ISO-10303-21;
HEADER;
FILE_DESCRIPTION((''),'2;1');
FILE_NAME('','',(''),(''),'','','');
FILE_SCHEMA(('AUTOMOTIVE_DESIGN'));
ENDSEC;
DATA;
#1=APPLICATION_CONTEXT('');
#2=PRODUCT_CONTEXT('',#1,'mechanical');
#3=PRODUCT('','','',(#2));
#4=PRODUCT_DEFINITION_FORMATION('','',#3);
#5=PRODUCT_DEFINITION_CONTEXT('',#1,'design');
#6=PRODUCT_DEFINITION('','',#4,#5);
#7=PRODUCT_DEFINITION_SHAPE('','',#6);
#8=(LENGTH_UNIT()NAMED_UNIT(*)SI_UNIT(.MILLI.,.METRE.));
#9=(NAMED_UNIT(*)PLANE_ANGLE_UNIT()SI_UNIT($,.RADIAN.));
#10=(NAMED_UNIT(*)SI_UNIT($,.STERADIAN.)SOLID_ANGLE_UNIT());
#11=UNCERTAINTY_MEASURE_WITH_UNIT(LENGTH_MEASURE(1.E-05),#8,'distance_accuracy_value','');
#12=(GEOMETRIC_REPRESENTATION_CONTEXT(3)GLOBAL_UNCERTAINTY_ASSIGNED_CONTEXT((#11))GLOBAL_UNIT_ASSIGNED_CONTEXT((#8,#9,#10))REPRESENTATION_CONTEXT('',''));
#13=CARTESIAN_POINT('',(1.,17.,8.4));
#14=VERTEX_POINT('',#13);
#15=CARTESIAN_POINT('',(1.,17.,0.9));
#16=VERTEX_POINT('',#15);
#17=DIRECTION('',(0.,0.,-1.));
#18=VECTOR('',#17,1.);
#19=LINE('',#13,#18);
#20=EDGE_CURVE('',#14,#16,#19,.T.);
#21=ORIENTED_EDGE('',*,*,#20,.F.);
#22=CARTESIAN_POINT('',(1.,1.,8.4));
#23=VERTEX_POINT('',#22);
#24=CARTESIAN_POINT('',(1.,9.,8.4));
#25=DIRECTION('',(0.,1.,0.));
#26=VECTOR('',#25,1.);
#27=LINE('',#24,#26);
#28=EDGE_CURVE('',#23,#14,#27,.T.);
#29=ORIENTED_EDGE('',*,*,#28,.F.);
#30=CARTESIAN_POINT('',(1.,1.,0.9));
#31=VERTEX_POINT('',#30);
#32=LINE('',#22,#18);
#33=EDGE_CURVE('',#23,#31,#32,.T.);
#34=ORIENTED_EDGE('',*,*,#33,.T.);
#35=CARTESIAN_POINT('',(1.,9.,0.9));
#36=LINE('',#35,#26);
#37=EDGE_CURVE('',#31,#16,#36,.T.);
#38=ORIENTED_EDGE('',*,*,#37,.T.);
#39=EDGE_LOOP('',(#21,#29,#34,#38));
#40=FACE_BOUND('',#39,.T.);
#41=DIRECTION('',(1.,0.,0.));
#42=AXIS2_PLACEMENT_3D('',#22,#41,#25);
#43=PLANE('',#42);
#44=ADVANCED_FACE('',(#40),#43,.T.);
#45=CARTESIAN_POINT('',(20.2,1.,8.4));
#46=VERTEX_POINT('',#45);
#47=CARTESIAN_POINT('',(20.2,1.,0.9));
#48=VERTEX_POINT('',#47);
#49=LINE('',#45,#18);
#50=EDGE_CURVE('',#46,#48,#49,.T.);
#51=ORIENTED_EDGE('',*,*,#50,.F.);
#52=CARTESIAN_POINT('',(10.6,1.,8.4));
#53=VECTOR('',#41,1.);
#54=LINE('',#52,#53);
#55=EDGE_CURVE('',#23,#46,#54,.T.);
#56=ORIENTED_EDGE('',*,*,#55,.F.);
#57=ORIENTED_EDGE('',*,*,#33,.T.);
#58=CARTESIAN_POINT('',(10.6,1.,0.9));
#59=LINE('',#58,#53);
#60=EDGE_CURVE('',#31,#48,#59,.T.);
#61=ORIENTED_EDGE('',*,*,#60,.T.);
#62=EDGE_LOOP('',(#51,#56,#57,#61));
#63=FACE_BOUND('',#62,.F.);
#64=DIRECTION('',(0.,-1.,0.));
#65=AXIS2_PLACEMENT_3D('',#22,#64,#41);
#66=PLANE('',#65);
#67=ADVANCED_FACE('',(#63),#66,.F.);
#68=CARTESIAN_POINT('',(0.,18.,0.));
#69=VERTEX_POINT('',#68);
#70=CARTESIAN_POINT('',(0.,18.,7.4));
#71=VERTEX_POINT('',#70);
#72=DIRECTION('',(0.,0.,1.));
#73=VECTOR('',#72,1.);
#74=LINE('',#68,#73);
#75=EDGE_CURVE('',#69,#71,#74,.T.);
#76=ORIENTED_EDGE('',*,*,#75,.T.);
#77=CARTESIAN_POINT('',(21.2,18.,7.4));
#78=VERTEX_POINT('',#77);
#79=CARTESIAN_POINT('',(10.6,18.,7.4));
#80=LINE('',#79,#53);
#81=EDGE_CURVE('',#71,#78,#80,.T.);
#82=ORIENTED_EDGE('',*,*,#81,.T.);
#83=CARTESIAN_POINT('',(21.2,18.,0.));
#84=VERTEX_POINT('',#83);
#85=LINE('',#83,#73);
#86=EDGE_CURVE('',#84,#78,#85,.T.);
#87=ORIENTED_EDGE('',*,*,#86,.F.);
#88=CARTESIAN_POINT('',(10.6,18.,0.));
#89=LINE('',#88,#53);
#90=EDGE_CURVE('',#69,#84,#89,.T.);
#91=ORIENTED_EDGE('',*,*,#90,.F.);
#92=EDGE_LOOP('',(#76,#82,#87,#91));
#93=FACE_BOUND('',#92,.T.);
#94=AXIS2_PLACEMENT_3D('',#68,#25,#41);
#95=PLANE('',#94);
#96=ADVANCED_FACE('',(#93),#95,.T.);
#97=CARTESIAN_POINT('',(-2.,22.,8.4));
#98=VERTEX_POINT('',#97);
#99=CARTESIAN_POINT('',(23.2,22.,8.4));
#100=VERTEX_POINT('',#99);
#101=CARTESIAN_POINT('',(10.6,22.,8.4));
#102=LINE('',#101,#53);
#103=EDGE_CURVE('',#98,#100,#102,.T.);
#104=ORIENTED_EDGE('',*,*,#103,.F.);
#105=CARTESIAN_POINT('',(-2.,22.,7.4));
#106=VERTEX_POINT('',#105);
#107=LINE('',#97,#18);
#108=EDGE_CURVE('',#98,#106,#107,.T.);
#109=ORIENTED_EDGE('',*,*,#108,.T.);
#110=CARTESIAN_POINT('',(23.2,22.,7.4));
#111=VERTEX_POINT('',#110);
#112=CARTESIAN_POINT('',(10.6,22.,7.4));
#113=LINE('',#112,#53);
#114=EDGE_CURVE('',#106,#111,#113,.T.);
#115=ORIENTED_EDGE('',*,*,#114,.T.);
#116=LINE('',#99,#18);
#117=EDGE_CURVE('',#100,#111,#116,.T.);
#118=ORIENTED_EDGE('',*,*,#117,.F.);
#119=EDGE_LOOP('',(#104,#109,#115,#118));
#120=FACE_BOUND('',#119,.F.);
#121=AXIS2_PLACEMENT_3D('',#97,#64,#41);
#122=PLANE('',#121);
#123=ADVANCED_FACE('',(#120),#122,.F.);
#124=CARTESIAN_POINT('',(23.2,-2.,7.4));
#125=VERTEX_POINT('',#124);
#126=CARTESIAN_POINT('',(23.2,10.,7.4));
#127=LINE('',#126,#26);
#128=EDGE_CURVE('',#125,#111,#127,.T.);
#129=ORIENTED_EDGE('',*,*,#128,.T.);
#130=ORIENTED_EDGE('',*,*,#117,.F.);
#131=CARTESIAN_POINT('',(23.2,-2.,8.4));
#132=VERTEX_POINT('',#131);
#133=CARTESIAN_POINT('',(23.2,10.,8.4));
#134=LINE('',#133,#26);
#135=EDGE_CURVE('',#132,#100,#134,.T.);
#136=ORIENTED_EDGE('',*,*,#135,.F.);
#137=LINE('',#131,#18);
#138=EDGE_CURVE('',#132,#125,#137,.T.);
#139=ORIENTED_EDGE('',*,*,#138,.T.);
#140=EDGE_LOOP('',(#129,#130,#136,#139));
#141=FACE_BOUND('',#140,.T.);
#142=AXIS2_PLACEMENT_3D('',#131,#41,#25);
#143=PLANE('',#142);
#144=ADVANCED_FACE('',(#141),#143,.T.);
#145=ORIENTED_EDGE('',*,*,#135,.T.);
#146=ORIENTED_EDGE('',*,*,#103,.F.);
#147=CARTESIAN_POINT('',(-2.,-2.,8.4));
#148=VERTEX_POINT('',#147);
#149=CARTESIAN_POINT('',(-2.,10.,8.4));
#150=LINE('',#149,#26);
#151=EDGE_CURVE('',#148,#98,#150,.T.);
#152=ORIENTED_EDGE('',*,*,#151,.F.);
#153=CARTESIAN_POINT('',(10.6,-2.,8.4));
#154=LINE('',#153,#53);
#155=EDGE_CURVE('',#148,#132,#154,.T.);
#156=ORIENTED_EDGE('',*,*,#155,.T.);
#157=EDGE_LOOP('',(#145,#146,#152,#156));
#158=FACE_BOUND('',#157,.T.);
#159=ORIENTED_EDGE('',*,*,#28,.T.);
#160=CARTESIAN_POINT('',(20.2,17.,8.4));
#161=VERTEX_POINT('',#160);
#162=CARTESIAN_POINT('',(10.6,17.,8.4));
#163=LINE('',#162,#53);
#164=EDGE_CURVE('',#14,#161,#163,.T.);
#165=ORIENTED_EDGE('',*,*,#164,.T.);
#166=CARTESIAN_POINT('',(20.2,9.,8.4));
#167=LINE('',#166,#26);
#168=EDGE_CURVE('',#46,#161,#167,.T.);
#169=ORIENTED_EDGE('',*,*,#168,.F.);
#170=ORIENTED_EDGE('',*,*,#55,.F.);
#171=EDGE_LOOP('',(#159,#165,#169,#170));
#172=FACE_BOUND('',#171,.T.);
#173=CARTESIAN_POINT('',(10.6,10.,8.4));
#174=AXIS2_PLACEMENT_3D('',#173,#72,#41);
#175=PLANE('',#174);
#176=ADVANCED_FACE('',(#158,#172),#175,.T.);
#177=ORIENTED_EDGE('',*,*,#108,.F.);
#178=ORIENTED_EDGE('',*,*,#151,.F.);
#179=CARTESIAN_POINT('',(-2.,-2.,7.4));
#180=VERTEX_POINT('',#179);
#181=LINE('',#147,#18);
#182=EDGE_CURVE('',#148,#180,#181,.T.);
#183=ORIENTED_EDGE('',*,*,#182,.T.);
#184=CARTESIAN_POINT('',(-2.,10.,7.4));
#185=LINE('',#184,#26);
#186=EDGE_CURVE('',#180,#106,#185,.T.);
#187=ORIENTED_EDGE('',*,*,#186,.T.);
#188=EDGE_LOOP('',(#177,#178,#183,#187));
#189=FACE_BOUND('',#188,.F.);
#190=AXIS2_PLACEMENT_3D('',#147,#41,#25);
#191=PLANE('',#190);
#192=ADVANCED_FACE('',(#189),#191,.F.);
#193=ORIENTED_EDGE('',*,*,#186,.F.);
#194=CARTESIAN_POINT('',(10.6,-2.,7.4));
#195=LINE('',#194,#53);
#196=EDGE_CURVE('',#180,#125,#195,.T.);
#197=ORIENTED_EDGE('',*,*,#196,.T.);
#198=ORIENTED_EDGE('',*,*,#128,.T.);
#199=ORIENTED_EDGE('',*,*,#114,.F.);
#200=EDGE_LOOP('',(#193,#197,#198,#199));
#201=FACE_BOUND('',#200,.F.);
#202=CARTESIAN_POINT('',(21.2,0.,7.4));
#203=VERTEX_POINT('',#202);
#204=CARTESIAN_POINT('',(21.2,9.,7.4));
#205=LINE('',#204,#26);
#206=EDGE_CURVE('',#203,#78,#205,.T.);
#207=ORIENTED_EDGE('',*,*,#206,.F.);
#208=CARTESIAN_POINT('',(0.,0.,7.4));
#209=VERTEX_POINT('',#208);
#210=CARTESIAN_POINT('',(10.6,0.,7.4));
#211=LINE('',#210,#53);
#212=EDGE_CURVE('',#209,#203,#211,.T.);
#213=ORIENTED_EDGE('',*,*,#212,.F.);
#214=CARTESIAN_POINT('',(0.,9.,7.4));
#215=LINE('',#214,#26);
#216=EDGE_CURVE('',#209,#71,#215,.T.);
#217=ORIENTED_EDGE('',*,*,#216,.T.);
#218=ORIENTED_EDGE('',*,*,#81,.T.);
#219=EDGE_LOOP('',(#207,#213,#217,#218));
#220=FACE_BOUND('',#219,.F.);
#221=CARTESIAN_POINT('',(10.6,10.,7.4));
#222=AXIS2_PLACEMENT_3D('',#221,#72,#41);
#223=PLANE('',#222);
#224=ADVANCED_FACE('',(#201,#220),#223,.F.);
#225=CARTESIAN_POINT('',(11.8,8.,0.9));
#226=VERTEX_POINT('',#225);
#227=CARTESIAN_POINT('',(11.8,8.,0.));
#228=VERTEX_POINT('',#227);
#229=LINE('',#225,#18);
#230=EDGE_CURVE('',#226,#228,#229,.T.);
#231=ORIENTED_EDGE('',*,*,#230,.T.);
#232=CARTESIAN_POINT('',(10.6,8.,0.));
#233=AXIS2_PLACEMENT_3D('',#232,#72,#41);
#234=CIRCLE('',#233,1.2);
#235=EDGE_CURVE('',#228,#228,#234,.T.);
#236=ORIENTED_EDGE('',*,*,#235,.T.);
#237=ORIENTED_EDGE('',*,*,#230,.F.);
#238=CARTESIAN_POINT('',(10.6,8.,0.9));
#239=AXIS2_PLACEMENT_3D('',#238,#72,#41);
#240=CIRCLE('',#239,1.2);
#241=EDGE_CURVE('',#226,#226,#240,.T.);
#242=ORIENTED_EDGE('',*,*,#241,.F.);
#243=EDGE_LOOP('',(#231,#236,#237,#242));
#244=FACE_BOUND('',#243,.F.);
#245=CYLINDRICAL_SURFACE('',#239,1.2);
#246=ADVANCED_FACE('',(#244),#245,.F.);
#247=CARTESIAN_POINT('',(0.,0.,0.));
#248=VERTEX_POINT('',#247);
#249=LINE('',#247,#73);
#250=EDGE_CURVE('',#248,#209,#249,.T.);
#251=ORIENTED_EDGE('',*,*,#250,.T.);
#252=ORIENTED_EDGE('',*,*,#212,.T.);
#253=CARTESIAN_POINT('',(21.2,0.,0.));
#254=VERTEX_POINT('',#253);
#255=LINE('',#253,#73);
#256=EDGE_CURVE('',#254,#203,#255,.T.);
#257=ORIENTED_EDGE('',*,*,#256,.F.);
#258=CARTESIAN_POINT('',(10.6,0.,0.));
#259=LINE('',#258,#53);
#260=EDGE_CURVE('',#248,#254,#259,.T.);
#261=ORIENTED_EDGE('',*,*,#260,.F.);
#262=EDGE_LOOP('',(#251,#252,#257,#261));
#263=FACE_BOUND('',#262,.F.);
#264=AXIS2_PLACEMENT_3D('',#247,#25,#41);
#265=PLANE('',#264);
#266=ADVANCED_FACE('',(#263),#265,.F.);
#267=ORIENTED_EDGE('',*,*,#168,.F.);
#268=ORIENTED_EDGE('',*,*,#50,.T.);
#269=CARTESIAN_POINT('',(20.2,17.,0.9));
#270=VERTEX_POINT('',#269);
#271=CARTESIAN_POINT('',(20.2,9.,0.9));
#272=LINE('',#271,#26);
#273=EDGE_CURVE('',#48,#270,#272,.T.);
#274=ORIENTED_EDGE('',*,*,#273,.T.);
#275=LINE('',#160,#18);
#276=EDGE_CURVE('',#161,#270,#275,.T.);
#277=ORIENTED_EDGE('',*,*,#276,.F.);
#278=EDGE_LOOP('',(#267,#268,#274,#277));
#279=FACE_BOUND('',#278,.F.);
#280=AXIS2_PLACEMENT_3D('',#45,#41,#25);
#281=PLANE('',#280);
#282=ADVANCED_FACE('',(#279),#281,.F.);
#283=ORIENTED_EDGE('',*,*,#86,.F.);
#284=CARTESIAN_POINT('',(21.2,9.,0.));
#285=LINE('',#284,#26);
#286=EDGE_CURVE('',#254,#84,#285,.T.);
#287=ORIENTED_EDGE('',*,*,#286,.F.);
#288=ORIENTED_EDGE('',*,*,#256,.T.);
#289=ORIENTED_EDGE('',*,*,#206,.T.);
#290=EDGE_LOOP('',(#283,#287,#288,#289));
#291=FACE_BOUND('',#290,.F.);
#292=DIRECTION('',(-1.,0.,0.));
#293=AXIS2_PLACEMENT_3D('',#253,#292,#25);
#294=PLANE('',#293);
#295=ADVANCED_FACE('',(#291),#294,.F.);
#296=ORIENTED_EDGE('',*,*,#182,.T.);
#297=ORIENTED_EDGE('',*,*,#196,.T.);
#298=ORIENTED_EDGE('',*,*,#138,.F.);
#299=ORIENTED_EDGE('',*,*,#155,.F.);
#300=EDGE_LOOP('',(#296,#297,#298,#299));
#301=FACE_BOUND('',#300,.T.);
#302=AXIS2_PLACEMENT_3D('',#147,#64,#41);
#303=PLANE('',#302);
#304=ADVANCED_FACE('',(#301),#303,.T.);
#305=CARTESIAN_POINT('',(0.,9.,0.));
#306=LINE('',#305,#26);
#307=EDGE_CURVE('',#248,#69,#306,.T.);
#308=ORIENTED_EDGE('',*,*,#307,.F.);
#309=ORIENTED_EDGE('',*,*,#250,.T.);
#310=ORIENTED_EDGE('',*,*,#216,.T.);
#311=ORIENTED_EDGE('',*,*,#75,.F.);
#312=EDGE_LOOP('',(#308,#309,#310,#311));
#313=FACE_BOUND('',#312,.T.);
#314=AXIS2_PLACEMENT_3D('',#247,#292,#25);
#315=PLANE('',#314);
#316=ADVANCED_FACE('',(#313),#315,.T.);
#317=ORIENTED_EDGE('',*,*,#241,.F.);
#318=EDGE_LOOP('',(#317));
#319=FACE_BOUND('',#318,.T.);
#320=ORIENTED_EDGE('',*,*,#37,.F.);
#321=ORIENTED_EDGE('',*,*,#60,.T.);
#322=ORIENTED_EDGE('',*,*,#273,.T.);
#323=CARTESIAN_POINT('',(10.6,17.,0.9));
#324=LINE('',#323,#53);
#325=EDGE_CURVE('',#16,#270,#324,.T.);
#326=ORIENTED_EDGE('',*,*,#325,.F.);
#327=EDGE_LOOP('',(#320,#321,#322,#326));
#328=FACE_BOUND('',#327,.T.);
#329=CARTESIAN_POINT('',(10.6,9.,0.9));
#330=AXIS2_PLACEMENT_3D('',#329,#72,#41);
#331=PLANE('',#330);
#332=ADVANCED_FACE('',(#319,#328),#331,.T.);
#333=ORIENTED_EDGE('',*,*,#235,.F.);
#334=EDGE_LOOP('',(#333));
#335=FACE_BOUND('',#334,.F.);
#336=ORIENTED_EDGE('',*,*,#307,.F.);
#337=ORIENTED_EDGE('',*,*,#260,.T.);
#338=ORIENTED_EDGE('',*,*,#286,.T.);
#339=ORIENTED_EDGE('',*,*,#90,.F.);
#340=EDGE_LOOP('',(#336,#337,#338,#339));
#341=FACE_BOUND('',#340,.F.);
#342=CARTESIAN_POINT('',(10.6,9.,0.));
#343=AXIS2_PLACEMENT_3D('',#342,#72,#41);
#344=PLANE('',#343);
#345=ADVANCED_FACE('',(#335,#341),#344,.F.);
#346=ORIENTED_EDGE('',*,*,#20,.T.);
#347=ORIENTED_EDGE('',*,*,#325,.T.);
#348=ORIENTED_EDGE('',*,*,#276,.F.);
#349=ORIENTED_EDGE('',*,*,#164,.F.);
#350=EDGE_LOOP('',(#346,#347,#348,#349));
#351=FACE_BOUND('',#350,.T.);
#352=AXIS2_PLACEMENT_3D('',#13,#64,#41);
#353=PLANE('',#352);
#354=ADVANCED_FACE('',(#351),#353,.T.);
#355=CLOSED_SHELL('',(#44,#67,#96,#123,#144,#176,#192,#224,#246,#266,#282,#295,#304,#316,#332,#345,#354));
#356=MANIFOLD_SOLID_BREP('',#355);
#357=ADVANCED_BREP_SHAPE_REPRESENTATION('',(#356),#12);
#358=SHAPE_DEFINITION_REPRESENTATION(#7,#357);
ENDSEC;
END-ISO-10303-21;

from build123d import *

# Parameters (mm, degrees)
F0_W     = 21.2
F0_H     = 18
F1_DEPTH = 8.4
F2_W     = 19.2
F2_H     = 16
F3_DEPTH = 7.5
F4_W     = 25.2
F4_H     = 24
F4_W_2   = 21.2
F4_H_2   = 18
F5_DEPTH = 1
F6_R     = 1.2
F7_DEPTH = 0.901


with BuildPart() as f1:
    # F0 (on Top) → F1 (new body)
    with BuildSketch(Plane.XY):
        with Locations((10.6, 9)):
            Rectangle(F0_W, F0_H)
    extrude(amount=F1_DEPTH)

    # F2 (on face) → F3 (cut)
    with BuildSketch(Plane.XY.offset(8.4)):
        with Locations((10.6, 9)):
            Rectangle(F2_W, F2_H)
    extrude(amount=-F3_DEPTH, mode=Mode.SUBTRACT)

    # F4 (on face) → F5 (join)
    with BuildSketch(Plane.XY.offset(8.4)):
        with Locations((10.6, 10)):
            Rectangle(F4_W, F4_H)
        with Locations((10.6, 9)):
            Rectangle(F4_W_2, F4_H_2, mode=Mode.SUBTRACT)
    extrude(amount=-F5_DEPTH)

    # F6 (on face) → F7 (cut, through all)
    with BuildSketch(Plane.XY.offset(0.9)):
        with Locations((10.6, 8)):
            Circle(F6_R)
    extrude(amount=-F7_DEPTH, mode=Mode.SUBTRACT)


solid = f1.part
